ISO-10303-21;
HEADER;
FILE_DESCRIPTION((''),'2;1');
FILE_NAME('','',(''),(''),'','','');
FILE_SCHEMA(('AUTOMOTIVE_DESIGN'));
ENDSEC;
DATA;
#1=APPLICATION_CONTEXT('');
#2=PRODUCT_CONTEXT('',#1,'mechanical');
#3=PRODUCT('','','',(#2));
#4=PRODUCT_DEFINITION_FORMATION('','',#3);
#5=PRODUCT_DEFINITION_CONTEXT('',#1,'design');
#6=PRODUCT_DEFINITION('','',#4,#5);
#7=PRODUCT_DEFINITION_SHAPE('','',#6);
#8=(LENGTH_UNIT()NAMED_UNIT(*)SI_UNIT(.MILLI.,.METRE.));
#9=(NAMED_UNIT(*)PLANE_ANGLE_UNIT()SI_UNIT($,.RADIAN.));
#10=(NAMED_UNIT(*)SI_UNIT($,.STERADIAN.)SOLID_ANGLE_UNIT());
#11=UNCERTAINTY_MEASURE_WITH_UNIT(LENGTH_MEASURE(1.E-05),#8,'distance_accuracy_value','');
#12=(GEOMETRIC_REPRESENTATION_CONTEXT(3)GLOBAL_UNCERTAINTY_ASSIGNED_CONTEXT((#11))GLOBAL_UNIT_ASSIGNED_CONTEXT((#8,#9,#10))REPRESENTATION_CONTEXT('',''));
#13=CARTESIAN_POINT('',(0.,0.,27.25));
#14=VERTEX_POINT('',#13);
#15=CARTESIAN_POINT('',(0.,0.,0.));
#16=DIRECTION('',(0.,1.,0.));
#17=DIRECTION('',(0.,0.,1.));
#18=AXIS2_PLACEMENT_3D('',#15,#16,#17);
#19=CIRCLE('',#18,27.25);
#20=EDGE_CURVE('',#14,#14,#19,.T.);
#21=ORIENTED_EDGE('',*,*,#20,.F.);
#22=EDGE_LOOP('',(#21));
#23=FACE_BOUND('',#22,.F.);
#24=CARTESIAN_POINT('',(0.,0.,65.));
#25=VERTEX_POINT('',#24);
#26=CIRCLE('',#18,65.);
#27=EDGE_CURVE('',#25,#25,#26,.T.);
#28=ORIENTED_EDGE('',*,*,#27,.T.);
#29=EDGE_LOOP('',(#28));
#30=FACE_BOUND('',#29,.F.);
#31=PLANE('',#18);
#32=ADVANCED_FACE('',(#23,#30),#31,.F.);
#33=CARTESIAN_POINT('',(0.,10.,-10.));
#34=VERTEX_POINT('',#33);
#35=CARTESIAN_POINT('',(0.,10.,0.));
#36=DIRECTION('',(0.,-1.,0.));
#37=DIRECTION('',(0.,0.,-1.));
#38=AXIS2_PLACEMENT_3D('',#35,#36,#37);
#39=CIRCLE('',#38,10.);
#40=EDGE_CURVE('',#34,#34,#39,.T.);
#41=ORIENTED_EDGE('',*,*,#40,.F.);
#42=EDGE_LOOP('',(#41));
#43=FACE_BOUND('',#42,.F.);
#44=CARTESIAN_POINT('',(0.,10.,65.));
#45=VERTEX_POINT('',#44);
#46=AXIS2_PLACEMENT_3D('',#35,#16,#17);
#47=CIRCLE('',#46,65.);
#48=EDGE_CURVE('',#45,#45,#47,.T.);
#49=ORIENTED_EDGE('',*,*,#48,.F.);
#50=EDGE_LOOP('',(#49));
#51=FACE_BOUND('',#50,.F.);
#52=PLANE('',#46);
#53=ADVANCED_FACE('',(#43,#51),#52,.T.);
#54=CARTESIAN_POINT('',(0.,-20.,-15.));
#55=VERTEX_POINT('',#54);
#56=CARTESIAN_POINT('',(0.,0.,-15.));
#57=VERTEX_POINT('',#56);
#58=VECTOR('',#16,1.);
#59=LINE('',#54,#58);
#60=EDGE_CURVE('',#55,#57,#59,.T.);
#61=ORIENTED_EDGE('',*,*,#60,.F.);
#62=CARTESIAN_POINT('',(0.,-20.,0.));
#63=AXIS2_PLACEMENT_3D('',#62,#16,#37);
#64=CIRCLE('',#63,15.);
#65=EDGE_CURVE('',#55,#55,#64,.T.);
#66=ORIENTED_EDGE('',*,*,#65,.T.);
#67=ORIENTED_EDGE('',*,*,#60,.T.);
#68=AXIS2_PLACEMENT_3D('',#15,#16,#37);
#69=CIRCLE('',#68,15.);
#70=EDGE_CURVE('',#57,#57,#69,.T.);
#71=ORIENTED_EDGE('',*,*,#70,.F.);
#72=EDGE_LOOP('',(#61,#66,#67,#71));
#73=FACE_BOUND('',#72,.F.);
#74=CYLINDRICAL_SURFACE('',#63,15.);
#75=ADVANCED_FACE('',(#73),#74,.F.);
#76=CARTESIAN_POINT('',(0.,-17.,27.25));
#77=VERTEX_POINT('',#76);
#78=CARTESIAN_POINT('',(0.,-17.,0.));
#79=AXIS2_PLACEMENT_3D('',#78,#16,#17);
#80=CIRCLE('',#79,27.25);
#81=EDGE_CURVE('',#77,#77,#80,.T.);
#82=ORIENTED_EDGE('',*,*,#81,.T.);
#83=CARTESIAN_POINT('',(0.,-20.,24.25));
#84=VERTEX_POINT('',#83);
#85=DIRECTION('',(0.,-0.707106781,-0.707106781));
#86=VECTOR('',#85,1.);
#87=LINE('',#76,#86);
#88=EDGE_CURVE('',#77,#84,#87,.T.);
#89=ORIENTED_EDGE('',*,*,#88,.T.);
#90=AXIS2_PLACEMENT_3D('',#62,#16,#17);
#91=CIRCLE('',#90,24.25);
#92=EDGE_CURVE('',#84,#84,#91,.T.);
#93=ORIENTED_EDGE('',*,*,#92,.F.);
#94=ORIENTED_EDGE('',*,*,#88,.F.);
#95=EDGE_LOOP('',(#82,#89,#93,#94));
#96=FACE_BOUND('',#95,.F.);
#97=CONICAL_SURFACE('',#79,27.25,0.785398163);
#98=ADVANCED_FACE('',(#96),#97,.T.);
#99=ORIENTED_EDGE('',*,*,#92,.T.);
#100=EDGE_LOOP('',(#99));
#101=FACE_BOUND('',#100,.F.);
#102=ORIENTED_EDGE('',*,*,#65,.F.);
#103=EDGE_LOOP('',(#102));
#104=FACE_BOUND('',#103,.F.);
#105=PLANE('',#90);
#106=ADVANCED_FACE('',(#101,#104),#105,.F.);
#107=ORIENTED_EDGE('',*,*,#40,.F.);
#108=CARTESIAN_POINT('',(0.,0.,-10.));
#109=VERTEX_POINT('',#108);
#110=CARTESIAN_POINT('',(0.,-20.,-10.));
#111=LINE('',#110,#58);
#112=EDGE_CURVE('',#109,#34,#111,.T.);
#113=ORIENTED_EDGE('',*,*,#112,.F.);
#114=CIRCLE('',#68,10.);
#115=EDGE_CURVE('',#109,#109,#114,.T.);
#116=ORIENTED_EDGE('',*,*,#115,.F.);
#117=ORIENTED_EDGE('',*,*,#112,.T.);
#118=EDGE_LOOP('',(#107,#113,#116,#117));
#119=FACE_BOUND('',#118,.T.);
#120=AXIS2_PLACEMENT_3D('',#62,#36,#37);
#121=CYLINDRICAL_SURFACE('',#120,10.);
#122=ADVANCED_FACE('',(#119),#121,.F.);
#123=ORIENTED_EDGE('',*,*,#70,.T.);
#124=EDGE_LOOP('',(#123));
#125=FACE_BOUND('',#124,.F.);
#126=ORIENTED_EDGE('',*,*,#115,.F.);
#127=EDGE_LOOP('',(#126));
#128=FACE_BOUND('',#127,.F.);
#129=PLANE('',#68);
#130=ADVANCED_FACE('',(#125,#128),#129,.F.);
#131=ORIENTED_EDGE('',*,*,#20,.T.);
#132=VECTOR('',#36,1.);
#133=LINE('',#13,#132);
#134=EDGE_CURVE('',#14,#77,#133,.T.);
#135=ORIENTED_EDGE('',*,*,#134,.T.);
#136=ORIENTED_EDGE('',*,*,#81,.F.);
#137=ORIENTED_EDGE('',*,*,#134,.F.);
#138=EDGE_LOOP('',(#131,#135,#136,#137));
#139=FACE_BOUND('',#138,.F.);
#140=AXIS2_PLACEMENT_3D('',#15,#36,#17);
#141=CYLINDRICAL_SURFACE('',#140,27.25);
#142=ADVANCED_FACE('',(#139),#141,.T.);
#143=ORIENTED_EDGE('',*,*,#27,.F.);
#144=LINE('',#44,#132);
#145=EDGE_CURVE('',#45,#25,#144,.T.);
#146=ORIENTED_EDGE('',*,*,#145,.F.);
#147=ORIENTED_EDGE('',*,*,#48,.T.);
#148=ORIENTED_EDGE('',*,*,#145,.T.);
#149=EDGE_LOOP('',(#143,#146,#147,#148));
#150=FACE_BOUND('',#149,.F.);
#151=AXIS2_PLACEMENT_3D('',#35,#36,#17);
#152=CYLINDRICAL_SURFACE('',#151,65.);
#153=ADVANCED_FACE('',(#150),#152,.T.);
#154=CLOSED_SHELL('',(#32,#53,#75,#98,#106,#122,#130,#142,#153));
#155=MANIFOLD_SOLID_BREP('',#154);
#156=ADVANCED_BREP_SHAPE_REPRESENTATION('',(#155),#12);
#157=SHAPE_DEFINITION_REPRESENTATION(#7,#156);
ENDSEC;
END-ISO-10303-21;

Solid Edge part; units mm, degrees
sketch "Sketch1" plane through (0, 0, 0) normal (1, 0, 0) x (0, 1, 0)
  line L0 (0, 65) -> (0, 27.25)
  line L1 (0, 27.25) -> (-20, 27.25)
  line L2 (-20, 27.25) -> (-20, 0)
  line L3 (-20, 0) -> (10, 0)
  line L4 (10, 0) -> (10, 65)
  line L5 (10, 65) -> (0, 65)
revolve "RevolvedProtrusion1" add sketch "Sketch1" angle 360 about axis through (0, -20, 0) along (0, 1, 0)
hole "Agujero_1" at (0, -20, 0) direction (0, 1, 0) diameter 20 end up to next counterbore diameter 30 counterbore depth 20
chamfer "Chaflán_1" distance 3 angle 45 1 edges at (0, -20, 27.25)
properties material "Acero ASTM A36"
